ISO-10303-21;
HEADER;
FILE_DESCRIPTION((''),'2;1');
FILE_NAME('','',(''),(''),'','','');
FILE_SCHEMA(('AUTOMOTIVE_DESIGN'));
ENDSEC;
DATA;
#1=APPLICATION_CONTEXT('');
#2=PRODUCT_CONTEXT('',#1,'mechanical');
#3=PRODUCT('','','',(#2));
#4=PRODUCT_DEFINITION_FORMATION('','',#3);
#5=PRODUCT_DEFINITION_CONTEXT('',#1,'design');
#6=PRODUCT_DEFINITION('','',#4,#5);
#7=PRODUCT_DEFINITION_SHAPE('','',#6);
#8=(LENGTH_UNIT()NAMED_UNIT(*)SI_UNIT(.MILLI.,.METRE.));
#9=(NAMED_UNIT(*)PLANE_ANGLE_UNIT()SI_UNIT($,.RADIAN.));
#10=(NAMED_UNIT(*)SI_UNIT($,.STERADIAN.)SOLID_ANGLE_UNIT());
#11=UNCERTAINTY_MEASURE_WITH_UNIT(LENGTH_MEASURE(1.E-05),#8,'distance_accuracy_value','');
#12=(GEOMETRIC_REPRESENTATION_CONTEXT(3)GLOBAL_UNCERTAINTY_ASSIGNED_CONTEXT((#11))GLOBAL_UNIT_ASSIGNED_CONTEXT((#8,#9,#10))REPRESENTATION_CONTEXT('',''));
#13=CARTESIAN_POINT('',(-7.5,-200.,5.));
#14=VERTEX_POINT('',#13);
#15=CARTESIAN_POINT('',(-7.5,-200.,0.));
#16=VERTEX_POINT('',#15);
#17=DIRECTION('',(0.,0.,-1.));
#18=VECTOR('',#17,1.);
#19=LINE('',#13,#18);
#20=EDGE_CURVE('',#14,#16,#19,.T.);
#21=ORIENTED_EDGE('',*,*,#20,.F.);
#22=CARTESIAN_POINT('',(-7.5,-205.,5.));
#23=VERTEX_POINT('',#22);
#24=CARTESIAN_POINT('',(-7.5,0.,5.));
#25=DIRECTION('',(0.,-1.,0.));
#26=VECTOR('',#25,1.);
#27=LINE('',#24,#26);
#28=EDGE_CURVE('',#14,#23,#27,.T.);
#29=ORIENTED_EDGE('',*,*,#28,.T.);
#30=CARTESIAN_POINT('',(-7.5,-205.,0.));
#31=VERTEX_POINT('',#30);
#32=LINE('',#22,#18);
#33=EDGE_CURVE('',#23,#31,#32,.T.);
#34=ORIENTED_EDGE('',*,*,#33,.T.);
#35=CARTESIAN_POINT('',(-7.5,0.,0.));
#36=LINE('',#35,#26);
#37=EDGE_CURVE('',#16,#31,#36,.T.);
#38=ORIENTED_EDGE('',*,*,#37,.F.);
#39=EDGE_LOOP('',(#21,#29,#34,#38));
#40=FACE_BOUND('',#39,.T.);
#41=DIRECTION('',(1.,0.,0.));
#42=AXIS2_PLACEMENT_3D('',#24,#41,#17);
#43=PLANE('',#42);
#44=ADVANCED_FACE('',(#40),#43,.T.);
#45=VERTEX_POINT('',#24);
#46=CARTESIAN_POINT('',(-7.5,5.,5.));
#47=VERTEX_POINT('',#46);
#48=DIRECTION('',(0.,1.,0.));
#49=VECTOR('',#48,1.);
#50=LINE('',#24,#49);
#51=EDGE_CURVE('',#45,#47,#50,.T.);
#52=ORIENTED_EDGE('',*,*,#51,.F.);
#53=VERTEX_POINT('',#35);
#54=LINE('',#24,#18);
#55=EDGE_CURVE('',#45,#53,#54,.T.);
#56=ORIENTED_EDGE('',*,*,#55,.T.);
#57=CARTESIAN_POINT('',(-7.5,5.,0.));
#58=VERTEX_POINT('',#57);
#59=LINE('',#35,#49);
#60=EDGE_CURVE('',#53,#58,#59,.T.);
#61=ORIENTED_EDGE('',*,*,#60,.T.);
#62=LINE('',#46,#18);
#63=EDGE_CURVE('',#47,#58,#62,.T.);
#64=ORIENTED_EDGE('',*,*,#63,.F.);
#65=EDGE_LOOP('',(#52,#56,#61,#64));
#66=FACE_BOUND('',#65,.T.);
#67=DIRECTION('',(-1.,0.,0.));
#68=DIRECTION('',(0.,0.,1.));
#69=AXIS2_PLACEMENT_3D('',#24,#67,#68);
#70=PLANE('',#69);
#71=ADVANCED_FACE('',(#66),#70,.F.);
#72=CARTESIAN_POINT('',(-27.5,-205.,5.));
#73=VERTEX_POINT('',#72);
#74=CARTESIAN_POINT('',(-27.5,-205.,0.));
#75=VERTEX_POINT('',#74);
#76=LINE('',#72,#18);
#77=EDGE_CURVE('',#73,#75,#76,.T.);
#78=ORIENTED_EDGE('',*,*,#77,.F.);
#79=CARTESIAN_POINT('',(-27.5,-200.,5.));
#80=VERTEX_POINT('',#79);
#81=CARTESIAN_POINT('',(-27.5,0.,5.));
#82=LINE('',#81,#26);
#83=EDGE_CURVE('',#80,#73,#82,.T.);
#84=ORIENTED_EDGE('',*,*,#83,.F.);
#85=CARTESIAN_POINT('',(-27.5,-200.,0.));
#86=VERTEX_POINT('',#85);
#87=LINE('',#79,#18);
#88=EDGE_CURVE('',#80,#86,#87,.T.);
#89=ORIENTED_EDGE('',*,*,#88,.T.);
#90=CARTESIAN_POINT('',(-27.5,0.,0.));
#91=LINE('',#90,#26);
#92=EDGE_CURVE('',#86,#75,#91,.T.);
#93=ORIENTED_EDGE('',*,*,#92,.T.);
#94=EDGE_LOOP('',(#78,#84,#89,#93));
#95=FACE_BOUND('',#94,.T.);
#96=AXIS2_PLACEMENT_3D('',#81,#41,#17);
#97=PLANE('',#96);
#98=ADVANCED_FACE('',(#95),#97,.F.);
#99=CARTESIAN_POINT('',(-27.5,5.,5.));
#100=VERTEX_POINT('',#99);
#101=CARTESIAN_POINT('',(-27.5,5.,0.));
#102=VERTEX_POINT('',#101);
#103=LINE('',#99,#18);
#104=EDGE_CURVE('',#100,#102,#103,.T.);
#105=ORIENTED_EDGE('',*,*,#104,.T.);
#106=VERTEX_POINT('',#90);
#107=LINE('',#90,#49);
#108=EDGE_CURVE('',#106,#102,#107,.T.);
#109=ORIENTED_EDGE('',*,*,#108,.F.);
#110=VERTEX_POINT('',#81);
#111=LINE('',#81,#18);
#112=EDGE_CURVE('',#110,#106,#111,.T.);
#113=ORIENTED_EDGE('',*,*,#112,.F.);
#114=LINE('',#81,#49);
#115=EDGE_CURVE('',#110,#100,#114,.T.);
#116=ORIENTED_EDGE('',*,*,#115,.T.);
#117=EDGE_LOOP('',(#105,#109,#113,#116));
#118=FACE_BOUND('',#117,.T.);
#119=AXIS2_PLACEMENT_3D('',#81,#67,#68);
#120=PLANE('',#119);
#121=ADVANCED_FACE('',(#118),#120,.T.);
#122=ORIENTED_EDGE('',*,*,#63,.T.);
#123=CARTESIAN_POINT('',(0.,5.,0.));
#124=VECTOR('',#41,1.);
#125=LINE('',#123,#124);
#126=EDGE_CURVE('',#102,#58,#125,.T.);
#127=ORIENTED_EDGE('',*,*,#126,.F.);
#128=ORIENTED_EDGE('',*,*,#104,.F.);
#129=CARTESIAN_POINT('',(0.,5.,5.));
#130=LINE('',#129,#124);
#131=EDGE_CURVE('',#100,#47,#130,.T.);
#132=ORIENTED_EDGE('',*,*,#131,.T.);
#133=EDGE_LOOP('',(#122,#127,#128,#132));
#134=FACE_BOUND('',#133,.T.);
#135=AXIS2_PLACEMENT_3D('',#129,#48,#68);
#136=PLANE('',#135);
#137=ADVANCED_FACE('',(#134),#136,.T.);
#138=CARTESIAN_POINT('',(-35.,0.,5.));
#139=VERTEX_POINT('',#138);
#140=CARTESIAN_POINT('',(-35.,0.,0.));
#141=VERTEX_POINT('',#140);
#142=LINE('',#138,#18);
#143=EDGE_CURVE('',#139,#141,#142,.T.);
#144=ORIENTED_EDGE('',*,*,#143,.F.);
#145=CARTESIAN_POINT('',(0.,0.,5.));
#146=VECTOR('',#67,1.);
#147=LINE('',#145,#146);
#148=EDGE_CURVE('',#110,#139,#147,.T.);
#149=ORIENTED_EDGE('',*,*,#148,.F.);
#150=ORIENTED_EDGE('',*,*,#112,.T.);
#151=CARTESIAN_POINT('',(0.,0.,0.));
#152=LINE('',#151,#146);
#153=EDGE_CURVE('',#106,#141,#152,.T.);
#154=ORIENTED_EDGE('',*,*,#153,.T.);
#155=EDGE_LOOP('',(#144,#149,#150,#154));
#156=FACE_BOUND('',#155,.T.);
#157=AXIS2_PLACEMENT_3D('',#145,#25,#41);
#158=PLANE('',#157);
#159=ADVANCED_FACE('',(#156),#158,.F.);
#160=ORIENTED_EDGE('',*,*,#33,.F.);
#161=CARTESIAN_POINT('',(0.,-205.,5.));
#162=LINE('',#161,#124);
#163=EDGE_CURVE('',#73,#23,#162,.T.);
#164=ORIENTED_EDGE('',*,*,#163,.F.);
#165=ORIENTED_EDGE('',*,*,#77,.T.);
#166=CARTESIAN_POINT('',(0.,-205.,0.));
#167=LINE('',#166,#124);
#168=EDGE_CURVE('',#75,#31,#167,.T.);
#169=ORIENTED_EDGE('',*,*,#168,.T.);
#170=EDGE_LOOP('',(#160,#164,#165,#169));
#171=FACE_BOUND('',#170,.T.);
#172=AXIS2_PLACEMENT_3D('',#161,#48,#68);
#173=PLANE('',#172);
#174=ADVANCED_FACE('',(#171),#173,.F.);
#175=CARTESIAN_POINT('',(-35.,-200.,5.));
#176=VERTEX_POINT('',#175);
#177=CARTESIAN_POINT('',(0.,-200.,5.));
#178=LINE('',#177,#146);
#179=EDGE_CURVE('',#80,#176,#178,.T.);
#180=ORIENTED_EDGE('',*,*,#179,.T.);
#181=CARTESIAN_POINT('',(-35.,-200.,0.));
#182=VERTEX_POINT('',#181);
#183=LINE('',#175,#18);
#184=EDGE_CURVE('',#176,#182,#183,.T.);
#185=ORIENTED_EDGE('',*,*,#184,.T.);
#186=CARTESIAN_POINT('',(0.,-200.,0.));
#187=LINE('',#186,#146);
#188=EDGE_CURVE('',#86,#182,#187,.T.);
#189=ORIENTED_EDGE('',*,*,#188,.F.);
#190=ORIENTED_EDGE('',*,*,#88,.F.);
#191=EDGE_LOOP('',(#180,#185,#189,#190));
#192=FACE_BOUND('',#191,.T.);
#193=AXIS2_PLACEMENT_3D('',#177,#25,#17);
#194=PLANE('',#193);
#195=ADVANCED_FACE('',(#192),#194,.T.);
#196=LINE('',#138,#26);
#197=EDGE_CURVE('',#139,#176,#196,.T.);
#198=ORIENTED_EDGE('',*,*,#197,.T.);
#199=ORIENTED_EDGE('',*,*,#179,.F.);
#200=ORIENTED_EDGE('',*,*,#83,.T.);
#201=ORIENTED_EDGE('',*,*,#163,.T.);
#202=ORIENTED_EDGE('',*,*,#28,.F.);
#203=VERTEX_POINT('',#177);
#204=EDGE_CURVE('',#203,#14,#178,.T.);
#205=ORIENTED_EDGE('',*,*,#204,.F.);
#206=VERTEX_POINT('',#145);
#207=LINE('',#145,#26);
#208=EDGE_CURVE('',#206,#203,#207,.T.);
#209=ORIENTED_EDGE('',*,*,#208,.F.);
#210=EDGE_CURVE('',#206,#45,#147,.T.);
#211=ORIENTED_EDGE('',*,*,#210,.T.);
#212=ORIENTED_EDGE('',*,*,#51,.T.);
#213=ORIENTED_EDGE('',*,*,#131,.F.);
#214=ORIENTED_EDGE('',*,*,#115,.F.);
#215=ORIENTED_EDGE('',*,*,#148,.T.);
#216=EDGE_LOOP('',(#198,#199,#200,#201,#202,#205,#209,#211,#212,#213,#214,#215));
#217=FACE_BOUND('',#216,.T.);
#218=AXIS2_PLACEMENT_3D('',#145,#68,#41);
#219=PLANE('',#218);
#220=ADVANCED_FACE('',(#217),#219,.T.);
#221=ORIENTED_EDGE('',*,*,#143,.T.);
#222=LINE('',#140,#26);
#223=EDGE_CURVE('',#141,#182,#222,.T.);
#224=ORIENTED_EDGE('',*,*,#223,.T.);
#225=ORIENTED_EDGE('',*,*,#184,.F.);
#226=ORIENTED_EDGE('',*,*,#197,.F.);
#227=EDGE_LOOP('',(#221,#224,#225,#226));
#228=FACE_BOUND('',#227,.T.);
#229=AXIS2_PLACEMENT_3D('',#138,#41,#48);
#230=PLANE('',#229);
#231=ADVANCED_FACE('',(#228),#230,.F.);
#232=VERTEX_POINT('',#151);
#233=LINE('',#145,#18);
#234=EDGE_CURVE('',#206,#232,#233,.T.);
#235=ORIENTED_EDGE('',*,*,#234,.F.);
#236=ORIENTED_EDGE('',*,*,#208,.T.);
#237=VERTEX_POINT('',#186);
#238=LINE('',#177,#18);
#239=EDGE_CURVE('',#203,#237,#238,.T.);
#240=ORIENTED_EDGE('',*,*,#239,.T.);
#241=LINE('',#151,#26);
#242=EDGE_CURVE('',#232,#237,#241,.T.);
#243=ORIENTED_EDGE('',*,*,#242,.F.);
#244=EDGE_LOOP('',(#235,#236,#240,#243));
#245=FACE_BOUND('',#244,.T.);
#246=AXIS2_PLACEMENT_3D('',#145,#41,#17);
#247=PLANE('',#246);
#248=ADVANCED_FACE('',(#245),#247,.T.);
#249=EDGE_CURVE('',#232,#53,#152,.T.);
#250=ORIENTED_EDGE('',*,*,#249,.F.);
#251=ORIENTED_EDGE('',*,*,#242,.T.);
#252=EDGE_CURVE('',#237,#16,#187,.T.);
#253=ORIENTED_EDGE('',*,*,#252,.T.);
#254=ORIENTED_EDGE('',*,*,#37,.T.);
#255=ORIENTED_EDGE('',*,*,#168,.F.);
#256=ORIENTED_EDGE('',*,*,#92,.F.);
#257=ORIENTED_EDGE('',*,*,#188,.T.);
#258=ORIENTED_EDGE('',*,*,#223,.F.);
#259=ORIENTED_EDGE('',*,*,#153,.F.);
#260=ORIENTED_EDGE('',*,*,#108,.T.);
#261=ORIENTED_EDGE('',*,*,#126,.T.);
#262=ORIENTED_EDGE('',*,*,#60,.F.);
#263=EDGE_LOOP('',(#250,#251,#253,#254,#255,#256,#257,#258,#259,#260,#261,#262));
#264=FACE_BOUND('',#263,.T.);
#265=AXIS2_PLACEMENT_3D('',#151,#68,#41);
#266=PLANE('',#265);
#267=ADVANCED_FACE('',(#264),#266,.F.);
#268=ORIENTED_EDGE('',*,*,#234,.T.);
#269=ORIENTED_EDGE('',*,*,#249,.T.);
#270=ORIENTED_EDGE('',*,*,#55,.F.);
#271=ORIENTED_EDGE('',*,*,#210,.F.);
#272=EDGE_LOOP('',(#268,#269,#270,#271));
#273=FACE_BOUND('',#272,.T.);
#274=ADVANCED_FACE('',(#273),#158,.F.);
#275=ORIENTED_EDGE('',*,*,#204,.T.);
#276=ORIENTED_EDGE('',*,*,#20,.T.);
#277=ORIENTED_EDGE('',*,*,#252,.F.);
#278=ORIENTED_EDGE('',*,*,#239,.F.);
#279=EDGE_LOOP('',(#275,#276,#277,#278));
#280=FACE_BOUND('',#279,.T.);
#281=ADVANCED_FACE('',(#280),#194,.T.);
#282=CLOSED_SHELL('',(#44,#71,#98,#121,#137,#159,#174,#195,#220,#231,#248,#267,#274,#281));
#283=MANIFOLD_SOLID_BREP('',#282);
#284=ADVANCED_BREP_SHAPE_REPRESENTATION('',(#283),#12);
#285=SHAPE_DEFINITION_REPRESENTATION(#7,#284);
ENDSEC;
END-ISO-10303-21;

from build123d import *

# Parameters (mm, degrees)
SKETCH1_W           = 35
SKETCH1_H           = 200
SKETCH1_W_2         = 20
SKETCH1_H_2         = 5
BOSS_EXTRUDE1_DEPTH = 5


with BuildPart() as part:
    # Sketch1 → Boss-Extrude1 (new body)
    with BuildSketch(Plane.XY):
        with Locations((-17.5, -100)):
            Rectangle(SKETCH1_W, SKETCH1_H)
        with Locations((-17.5, 2.5)):
            Rectangle(SKETCH1_W_2, SKETCH1_H_2)
        with Locations((-17.5, -202.5)):
            Rectangle(SKETCH1_W_2, SKETCH1_H_2)
    extrude(amount=BOSS_EXTRUDE1_DEPTH)


solid = part.part
